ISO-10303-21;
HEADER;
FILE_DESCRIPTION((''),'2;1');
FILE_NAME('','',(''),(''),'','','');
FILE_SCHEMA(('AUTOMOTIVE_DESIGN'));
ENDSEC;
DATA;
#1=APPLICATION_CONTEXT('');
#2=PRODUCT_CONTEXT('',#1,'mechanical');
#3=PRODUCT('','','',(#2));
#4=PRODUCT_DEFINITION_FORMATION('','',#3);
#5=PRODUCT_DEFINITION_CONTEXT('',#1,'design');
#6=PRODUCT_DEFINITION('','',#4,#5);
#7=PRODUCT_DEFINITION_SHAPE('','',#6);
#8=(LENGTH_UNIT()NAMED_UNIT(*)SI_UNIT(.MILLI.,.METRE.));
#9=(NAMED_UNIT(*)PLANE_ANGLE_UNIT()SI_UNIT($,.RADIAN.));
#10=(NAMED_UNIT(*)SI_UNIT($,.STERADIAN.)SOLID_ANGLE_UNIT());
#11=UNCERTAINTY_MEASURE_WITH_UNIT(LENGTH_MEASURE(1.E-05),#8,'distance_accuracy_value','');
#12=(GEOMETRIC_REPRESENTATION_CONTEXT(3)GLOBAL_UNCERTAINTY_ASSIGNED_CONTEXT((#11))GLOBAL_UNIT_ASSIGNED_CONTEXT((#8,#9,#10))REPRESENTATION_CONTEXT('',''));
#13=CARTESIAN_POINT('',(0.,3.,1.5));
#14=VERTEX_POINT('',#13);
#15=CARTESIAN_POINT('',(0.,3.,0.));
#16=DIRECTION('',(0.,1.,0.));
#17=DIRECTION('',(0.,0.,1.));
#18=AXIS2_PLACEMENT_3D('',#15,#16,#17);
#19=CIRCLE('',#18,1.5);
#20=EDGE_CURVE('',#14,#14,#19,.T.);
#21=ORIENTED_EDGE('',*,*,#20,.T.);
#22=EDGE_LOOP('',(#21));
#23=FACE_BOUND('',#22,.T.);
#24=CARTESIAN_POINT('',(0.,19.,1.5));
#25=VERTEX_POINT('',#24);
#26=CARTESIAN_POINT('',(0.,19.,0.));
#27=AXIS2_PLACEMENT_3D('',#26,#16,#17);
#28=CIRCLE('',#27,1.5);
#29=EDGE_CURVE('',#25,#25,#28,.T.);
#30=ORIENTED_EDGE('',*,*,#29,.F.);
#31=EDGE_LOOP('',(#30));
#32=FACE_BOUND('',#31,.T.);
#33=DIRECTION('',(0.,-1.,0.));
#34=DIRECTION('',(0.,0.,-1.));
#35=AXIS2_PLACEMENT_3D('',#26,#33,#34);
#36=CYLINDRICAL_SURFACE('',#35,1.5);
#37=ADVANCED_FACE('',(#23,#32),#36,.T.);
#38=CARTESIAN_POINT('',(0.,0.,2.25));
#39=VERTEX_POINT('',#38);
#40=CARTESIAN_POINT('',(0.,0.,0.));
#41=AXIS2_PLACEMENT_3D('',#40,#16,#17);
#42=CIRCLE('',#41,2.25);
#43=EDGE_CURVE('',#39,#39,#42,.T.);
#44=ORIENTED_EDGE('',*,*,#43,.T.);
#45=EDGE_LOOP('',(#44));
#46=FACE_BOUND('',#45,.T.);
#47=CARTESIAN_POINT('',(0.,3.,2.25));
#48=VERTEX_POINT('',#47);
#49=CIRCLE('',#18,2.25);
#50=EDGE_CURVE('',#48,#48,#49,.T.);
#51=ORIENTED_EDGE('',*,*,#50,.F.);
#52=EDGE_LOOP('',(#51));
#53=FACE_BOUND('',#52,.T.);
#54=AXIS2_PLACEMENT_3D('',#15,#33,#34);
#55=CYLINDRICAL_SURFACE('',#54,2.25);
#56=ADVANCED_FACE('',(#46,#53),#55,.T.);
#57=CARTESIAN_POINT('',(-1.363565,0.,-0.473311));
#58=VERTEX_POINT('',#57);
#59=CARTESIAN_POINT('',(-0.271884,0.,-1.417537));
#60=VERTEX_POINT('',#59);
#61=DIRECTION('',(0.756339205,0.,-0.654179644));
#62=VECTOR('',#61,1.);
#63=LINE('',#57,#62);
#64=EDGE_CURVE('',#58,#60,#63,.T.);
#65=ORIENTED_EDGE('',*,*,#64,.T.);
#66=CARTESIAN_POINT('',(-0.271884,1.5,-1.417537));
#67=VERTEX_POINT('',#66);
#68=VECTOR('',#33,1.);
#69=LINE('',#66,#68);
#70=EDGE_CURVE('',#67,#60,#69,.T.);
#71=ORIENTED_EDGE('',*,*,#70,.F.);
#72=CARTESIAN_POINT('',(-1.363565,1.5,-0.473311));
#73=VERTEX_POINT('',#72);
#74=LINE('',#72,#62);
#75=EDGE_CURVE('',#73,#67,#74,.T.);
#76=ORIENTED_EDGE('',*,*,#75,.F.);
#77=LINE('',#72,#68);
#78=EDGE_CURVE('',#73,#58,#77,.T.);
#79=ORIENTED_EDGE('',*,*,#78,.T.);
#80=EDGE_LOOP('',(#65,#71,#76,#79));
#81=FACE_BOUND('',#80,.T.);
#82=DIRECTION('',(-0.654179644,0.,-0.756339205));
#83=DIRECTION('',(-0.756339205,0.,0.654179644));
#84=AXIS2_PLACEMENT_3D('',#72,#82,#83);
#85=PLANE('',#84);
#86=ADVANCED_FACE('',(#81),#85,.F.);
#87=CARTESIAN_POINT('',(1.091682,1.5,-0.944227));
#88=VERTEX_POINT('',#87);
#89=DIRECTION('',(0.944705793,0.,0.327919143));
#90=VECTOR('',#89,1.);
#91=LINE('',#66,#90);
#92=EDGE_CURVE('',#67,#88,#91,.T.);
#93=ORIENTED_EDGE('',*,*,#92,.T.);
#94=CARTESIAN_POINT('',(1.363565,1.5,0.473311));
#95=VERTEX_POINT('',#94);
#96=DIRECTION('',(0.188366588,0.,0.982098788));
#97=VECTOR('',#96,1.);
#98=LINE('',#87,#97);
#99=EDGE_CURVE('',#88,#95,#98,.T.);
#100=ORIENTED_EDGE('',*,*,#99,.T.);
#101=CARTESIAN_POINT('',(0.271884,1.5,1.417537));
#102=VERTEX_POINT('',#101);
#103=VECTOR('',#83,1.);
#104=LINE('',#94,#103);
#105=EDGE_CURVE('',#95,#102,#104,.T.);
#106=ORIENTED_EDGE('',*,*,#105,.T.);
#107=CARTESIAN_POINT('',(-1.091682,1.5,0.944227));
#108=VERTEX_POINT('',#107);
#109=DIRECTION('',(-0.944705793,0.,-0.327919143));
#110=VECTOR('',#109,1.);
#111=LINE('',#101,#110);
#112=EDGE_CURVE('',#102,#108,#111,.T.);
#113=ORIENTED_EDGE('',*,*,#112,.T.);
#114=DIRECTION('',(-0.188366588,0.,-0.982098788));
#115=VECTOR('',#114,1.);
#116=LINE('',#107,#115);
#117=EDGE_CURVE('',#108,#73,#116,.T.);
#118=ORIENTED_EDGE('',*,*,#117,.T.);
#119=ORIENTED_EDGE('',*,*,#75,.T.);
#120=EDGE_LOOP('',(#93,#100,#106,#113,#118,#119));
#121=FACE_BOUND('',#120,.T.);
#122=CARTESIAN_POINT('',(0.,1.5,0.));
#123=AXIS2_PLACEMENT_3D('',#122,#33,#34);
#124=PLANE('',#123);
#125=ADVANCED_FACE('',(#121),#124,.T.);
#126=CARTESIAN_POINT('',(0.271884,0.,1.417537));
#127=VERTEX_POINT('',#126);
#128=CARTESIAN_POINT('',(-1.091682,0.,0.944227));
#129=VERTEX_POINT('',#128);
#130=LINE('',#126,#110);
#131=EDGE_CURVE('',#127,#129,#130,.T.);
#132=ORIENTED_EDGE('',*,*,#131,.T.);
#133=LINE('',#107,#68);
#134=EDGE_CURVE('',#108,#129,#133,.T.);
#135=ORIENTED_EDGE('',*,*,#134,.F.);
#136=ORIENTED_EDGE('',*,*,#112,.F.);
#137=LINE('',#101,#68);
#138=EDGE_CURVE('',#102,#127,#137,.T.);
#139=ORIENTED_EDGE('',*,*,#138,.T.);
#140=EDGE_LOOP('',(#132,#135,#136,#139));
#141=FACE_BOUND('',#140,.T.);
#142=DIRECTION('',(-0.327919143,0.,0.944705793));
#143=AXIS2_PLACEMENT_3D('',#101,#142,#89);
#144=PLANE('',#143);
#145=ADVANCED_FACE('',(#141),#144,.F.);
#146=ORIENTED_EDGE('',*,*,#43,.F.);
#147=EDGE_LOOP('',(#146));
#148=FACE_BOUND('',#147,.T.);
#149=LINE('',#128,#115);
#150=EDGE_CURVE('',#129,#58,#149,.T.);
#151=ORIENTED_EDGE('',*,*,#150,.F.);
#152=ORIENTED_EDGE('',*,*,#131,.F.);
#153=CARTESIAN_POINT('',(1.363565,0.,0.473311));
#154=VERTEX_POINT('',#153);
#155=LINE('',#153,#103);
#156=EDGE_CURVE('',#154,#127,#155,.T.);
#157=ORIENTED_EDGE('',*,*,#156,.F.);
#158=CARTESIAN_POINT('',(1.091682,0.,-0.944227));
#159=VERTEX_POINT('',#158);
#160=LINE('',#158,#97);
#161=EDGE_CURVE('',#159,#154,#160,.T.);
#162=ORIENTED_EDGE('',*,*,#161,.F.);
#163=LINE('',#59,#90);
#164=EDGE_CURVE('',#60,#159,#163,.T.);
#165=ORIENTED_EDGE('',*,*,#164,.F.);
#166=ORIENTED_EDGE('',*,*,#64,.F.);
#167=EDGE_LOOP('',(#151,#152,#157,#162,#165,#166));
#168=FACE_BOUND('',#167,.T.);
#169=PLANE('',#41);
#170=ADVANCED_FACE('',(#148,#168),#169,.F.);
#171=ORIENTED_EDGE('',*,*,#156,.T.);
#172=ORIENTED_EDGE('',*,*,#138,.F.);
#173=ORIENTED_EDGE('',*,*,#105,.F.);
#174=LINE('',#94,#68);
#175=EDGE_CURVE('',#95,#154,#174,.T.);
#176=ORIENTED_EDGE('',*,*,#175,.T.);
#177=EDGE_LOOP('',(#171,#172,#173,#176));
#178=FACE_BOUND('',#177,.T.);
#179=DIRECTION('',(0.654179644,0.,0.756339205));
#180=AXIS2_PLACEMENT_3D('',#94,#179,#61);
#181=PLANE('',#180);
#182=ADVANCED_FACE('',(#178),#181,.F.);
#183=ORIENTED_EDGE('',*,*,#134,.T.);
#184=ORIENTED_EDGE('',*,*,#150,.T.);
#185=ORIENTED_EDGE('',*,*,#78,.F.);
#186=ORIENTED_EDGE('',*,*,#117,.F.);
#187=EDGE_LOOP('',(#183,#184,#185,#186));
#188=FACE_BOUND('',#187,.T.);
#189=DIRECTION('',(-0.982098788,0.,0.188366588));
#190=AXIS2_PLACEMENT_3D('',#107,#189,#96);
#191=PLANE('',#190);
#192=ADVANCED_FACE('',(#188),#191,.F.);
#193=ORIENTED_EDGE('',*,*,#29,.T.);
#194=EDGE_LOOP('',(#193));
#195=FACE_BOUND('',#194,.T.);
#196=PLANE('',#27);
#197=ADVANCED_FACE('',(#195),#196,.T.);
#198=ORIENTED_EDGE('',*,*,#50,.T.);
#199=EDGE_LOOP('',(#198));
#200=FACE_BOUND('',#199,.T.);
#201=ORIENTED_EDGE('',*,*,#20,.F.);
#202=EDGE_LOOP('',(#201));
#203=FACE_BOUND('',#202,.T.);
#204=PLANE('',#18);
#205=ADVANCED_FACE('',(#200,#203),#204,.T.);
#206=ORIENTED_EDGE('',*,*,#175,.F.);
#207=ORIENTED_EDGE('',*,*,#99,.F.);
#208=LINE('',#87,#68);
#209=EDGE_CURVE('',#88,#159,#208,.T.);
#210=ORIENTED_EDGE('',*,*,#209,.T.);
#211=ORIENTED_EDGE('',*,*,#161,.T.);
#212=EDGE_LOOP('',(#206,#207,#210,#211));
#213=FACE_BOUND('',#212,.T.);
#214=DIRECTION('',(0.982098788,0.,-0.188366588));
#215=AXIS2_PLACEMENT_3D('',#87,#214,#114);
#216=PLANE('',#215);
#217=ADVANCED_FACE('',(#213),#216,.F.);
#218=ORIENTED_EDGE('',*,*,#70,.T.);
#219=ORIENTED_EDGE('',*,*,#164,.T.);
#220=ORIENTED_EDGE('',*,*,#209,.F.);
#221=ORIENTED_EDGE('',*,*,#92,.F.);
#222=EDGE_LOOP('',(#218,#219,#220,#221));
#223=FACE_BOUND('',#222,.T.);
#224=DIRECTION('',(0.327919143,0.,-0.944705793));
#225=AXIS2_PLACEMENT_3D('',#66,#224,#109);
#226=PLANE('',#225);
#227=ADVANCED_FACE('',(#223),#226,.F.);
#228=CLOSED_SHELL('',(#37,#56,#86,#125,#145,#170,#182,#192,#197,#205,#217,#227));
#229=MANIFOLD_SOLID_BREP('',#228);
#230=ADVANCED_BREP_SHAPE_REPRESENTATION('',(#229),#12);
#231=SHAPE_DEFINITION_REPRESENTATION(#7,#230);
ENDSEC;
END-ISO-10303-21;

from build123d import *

# Parameters (mm, degrees)
SKETCH_1_R          = 2.25
EXTRUDE_1_DEPTH     = 3
SKETCH_2_R          = 1.5
EXTRUDE_2_DEPTH     = 16
CUT_EXTRUDE_1_DEPTH = 1.5


with BuildPart() as part:
    # 草图1 → 凸台-拉伸1 (new body)
    with BuildSketch(Plane(origin=(0, 0, 0), x_dir=(1, 0, 0), z_dir=(0, 1, 0))):
        with Locations(Location((0, 0, 0), (0, 0, 270))):
            Circle(SKETCH_1_R)
    extrude(amount=EXTRUDE_1_DEPTH)

    # 草图2 → 凸台-拉伸2 (add)
    with BuildSketch(Plane(origin=(0, 3, 0), x_dir=(1, 0, 0), z_dir=(0, 1, 0))):
        with Locations(Location((0, 0, 0), (0, 0, 270))):
            Circle(SKETCH_2_R)
    extrude(amount=EXTRUDE_2_DEPTH)

    # 草图3 → 切除-拉伸1 (cut)
    with BuildSketch(Plane.XZ):
        Polygon((1.091681609, -0.944226984), (1.36356536, 0.473310514), (0.271883751, 1.417537498), (-1.091681609, 0.944226984), (-1.36356536, -0.473310514), (-0.271883751, -1.417537498), align=None)
    extrude(amount=-CUT_EXTRUDE_1_DEPTH, mode=Mode.SUBTRACT)


solid = part.part
